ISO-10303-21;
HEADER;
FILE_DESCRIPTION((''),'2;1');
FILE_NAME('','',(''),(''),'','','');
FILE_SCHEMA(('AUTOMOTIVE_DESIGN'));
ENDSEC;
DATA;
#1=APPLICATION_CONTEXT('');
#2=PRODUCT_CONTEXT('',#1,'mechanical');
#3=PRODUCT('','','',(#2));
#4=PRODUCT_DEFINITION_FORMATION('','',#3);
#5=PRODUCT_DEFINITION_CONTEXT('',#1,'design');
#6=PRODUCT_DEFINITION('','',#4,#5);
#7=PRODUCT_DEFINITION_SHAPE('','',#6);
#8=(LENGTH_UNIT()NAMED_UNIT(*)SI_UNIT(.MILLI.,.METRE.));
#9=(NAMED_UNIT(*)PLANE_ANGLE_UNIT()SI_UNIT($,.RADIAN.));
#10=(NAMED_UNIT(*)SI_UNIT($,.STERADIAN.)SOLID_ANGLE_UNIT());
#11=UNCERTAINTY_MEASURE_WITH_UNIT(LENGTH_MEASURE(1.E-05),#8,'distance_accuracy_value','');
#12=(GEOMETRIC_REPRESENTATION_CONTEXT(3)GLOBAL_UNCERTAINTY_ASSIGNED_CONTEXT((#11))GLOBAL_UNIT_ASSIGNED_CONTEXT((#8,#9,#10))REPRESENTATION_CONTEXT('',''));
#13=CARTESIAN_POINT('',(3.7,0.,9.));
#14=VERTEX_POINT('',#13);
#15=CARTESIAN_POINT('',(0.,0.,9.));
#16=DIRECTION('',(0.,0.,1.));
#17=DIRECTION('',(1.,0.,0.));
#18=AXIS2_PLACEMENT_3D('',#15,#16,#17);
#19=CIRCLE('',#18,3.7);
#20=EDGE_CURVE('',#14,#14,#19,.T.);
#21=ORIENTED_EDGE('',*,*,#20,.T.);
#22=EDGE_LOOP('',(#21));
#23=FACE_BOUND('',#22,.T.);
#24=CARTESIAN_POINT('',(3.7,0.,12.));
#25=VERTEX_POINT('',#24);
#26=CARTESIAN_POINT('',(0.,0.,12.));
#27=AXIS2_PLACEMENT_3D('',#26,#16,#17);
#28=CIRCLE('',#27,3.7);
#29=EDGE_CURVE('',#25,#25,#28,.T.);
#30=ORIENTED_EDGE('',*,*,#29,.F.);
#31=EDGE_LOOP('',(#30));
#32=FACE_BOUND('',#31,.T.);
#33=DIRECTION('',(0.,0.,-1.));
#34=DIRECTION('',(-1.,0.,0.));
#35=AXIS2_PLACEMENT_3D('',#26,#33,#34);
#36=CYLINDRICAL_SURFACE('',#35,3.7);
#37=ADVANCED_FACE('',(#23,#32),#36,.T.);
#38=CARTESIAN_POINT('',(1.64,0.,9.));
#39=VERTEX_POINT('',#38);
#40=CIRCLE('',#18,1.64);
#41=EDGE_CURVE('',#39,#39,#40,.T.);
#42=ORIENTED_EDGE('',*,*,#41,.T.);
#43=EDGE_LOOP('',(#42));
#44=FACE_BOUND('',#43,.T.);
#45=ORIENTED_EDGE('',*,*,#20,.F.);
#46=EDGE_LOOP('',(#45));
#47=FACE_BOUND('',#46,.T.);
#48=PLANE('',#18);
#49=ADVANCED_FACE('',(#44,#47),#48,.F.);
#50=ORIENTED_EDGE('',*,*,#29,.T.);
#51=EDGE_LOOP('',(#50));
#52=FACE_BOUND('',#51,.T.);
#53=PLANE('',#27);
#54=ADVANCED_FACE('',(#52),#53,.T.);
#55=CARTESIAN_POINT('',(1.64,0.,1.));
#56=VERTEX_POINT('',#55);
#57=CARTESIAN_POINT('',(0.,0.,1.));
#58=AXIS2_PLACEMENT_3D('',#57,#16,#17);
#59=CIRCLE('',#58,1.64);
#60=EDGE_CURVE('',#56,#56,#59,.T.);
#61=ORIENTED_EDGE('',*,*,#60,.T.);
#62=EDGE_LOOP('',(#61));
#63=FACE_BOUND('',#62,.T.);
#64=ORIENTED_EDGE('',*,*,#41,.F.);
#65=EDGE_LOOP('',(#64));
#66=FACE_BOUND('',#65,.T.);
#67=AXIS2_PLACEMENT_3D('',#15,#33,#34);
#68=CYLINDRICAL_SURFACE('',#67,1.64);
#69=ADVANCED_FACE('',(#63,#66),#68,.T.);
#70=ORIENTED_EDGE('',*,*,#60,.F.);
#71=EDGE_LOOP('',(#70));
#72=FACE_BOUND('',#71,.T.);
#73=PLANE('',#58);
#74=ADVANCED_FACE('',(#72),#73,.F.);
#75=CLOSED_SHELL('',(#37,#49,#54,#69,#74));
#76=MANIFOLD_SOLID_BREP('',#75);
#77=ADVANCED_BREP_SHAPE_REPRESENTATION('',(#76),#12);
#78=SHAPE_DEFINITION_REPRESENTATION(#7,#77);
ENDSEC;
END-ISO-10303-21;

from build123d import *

# Parameters (mm, degrees)
THREAD_ENVELOPE_START = 1
PROFILE_1_R           = 1.64
THREAD_ENVELOPE_DEPTH = 8
SCREW_HEAD_START      = 9
PROFILE_2_R           = 3.7
SCREW_HEAD_DEPTH      = 3


with BuildPart() as part:
    # Profile_1 → Thread_envelope (new body)
    with BuildSketch(Plane.XY.offset(THREAD_ENVELOPE_START)):
        Circle(PROFILE_1_R)
    extrude(amount=THREAD_ENVELOPE_DEPTH)

    # Profile_2 → Screw_head (add)
    with BuildSketch(Plane.XY.offset(SCREW_HEAD_START)):
        Circle(PROFILE_2_R)
    extrude(amount=SCREW_HEAD_DEPTH)


solid = part.part
